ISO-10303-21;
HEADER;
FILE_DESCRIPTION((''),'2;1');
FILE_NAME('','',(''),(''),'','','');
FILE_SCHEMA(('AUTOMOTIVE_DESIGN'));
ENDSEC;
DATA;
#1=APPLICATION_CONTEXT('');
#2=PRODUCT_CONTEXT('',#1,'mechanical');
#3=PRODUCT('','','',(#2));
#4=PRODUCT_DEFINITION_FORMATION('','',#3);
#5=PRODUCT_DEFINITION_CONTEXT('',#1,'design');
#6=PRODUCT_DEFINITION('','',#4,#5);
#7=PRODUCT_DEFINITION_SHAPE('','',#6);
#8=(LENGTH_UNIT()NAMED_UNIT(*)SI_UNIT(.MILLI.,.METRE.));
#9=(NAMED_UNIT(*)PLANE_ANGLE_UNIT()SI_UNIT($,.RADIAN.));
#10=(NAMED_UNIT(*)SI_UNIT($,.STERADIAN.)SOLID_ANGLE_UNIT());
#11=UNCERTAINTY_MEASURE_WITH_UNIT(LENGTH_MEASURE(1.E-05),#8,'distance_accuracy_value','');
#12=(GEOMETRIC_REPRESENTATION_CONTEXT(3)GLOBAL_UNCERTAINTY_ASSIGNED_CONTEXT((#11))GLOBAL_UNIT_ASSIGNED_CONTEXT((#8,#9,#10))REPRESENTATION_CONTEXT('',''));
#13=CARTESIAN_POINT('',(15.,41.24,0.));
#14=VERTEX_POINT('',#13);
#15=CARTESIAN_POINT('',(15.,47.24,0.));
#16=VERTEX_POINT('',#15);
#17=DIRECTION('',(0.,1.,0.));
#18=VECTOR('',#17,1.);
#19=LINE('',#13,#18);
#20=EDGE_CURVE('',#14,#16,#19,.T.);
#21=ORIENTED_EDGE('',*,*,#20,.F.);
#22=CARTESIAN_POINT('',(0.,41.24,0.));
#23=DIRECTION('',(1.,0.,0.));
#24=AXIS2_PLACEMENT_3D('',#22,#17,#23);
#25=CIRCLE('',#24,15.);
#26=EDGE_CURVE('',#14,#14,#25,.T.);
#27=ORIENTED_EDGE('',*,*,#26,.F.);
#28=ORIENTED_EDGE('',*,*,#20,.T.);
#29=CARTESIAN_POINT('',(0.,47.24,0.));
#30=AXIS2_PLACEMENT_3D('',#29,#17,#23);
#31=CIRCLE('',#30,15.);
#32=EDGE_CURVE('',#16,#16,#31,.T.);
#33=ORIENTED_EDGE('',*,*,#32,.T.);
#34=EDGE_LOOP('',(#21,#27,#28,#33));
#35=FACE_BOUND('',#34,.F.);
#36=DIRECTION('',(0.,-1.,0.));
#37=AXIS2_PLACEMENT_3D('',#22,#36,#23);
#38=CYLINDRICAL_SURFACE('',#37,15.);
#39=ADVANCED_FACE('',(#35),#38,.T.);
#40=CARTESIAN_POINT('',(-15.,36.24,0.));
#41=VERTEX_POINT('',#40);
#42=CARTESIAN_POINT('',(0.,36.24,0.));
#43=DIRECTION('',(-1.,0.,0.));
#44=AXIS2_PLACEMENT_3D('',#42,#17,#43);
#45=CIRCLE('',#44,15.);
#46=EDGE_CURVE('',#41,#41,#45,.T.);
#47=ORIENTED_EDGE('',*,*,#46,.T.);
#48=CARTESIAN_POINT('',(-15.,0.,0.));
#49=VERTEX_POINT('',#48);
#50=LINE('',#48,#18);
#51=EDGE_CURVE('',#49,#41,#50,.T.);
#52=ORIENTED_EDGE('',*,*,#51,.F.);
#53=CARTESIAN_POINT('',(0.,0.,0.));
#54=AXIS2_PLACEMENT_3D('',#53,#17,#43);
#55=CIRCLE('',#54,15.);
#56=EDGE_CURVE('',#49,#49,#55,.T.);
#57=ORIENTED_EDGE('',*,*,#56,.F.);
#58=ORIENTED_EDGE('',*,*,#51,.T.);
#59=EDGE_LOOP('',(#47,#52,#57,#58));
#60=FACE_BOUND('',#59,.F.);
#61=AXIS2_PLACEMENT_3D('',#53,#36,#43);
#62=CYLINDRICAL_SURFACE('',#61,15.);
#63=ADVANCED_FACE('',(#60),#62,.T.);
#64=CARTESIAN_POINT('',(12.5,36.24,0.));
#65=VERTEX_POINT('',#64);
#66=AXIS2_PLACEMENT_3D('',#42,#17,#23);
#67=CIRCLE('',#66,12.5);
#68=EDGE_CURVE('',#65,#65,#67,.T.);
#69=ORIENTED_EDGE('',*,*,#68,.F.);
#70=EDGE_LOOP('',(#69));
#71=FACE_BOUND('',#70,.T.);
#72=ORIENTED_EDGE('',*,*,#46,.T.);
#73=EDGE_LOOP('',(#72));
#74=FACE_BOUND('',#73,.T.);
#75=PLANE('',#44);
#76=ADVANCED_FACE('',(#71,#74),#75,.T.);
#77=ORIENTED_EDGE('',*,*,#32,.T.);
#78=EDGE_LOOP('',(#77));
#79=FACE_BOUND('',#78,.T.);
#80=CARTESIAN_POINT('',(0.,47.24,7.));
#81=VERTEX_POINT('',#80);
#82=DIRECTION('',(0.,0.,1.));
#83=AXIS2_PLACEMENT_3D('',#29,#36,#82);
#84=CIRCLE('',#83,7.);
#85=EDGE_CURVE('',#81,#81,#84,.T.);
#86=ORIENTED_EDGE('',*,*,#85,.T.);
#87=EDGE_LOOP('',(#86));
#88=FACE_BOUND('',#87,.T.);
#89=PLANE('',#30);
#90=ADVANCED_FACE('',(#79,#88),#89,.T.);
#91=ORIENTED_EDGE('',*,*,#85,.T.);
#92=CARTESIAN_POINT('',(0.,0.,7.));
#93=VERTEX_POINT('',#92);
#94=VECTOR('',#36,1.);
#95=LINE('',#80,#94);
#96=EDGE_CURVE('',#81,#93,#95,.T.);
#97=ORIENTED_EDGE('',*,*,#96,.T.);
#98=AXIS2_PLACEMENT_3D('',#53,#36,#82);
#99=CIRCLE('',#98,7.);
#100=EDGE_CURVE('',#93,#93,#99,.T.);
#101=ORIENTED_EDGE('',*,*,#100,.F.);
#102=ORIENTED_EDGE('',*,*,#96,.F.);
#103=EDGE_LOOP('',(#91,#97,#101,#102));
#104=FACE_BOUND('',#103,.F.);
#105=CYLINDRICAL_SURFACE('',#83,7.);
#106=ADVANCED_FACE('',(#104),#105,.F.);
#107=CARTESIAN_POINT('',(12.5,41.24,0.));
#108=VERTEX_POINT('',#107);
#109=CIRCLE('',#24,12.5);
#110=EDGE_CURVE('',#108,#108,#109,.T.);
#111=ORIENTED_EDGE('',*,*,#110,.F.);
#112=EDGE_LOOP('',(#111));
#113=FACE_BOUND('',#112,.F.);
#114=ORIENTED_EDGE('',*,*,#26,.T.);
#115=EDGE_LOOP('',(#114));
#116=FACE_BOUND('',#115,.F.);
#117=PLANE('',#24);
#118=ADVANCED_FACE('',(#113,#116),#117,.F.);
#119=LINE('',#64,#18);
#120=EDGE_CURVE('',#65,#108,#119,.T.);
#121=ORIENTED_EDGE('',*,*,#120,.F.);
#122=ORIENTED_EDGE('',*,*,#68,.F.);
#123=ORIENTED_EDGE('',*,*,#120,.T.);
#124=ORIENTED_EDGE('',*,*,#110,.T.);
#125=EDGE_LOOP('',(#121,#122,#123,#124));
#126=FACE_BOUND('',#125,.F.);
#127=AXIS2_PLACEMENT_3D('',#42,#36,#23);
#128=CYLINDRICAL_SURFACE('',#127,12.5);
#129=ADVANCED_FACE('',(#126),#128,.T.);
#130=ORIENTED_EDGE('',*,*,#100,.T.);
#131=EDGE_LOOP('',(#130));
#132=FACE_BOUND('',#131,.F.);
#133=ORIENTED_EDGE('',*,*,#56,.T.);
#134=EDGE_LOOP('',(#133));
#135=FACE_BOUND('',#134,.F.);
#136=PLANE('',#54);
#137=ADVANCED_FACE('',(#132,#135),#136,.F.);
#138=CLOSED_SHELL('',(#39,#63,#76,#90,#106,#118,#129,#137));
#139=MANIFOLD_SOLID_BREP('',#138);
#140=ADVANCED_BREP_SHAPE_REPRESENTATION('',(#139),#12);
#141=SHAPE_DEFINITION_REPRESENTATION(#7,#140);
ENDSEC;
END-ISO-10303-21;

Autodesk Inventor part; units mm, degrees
ref_plane "YZ Plane" through (0, 0, 0) normal (1, 0, 0) x (0, 1, 0)
ref_plane "XZ Plane" through (0, 0, 0) normal (0, 1, 0) x (-1, 0, 0)
ref_plane "XY Plane" through (0, 0, 0) normal (0, 0, 1) x (1, 0, 0)
sketch "Esboço1" plane through (0, 0, 0) normal (0, 1, 0) x (-1, 0, 0)
  circle A0 centre (0, 0) radius 15
  dimension "d0" = 30
extrude "Extrusão1" add sketch "Esboço1" along normal blind 36.24
sketch "Esboço2" plane through (0, 36.24, 0) normal (0, 1, 0) x (1, 0, 0)
  circle A0 centre (0, 0) radius 12.5
  dimension "d3" = 25
extrude "Extrusão2" add sketch "Esboço2" along normal blind 5
sketch "Esboço3" plane through (0, 41.24, 0) normal (0, 1, 0) x (1, 0, 0)
  circle A0 centre (0, 0) radius 15
extrude "Extrusão3" add sketch "Esboço3" along normal blind 6
sketch "Sketch5" plane through (0, 47.24, 0) normal (0, 1, 0) x (1, 0, 0)
  circle A0 centre (0, 0) radius 15 projected
hole "Hole2" at (0, 47.24, 0) direction (0, -1, 0) diameter 14 end through all
thread "Thread1" size "M52x4" class "6H" standard "ANSI Metric M Profile" full length
equation "\"d20\" = Espessura"
equation "\"Raio_vergadura\" = Espessura"
equation "\"Largura_alívio_de_vergadura\" = Espessura"
equation "\"Profundidade_alívio_de_vergadura\" = 0.5 * Espessura"
equation "\"Tamanho_alívio_de_dobra\" = 4 * Espessura"
equation "\"Remanescente_mínimo\" = 2 * Espessura"
equation "\"Raiodetransição\" = Raio_vergadura"
equation "\"Tamanho_de_raio_de_Jacobi\" = Raio_vergadura"
equation "\"TamanhoFolga\" = Espessura"
equation "\"Espessura\" = 0.5"
properties part number "Guia do eixo roscado" material "Aço"
